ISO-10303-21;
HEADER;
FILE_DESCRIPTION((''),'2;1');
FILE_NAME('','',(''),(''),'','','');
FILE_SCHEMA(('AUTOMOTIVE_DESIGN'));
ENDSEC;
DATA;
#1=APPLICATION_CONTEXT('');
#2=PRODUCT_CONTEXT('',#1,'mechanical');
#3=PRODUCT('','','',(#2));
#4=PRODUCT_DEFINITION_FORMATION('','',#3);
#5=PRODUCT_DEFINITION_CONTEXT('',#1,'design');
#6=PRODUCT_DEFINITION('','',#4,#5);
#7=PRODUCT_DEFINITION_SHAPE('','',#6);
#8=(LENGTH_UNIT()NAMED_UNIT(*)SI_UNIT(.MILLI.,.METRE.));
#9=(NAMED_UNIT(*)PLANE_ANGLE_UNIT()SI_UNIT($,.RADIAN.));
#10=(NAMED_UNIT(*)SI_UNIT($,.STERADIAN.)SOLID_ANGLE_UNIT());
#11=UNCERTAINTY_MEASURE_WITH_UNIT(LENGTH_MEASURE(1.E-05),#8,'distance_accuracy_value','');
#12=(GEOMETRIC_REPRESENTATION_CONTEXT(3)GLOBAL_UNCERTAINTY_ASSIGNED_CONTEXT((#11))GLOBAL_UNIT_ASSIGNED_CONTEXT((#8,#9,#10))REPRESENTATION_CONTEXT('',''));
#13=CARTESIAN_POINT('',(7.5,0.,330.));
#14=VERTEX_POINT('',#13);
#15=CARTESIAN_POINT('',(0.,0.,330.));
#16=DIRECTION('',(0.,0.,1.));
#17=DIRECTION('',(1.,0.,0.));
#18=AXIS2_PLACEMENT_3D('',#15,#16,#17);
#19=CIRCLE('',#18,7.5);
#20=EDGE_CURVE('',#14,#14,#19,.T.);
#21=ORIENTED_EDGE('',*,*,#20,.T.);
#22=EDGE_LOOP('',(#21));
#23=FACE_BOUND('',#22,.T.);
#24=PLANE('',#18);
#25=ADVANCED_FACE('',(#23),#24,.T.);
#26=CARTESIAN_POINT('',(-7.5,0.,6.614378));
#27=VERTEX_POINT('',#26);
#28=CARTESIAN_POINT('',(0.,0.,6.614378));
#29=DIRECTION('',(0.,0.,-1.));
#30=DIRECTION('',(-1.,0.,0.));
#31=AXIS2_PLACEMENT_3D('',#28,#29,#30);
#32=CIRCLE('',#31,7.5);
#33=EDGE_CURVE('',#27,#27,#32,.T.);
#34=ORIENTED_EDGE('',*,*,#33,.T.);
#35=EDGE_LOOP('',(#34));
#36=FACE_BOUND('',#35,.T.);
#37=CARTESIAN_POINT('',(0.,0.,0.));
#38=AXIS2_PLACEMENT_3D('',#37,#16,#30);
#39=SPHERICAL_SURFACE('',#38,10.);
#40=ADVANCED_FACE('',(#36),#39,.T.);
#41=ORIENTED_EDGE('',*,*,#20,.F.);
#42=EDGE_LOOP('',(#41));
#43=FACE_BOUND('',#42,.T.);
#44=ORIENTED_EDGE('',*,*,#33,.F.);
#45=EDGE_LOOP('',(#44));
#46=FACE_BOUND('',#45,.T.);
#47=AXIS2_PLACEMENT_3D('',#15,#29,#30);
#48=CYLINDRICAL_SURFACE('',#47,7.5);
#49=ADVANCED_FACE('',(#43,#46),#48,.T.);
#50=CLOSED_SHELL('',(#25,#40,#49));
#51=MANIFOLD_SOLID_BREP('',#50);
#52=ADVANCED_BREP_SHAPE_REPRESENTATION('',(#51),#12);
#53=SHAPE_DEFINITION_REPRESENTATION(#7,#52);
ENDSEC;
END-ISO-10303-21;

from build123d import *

# Parameters (mm, degrees)
SKETCH1_R           = 7.5
BOSS_EXTRUDE1_DEPTH = 330


with BuildPart() as part:
    # Sketch1 → Boss-Extrude1 (new body)
    with BuildSketch(Plane.XY):
        Circle(SKETCH1_R)
    extrude(amount=BOSS_EXTRUDE1_DEPTH)

    # Sketch2 → Revolve1 (revolve)
    with BuildSketch(Plane(origin=(0, 0, 0), x_dir=(1, 0, 0), z_dir=(0, 1, 0))):
        with BuildLine():
            Line((-7.5, -6.614378278), (0, -6.614378278))
            Line((0, -6.614378278), (0, 10))
            ThreePointArc((0, 10), (-9.114378278, 4.114378278), (-7.5, -6.614378278))
        make_face()
    revolve(axis=Axis((0, 0, 0), (0, 0, -1)))


solid = part.part
